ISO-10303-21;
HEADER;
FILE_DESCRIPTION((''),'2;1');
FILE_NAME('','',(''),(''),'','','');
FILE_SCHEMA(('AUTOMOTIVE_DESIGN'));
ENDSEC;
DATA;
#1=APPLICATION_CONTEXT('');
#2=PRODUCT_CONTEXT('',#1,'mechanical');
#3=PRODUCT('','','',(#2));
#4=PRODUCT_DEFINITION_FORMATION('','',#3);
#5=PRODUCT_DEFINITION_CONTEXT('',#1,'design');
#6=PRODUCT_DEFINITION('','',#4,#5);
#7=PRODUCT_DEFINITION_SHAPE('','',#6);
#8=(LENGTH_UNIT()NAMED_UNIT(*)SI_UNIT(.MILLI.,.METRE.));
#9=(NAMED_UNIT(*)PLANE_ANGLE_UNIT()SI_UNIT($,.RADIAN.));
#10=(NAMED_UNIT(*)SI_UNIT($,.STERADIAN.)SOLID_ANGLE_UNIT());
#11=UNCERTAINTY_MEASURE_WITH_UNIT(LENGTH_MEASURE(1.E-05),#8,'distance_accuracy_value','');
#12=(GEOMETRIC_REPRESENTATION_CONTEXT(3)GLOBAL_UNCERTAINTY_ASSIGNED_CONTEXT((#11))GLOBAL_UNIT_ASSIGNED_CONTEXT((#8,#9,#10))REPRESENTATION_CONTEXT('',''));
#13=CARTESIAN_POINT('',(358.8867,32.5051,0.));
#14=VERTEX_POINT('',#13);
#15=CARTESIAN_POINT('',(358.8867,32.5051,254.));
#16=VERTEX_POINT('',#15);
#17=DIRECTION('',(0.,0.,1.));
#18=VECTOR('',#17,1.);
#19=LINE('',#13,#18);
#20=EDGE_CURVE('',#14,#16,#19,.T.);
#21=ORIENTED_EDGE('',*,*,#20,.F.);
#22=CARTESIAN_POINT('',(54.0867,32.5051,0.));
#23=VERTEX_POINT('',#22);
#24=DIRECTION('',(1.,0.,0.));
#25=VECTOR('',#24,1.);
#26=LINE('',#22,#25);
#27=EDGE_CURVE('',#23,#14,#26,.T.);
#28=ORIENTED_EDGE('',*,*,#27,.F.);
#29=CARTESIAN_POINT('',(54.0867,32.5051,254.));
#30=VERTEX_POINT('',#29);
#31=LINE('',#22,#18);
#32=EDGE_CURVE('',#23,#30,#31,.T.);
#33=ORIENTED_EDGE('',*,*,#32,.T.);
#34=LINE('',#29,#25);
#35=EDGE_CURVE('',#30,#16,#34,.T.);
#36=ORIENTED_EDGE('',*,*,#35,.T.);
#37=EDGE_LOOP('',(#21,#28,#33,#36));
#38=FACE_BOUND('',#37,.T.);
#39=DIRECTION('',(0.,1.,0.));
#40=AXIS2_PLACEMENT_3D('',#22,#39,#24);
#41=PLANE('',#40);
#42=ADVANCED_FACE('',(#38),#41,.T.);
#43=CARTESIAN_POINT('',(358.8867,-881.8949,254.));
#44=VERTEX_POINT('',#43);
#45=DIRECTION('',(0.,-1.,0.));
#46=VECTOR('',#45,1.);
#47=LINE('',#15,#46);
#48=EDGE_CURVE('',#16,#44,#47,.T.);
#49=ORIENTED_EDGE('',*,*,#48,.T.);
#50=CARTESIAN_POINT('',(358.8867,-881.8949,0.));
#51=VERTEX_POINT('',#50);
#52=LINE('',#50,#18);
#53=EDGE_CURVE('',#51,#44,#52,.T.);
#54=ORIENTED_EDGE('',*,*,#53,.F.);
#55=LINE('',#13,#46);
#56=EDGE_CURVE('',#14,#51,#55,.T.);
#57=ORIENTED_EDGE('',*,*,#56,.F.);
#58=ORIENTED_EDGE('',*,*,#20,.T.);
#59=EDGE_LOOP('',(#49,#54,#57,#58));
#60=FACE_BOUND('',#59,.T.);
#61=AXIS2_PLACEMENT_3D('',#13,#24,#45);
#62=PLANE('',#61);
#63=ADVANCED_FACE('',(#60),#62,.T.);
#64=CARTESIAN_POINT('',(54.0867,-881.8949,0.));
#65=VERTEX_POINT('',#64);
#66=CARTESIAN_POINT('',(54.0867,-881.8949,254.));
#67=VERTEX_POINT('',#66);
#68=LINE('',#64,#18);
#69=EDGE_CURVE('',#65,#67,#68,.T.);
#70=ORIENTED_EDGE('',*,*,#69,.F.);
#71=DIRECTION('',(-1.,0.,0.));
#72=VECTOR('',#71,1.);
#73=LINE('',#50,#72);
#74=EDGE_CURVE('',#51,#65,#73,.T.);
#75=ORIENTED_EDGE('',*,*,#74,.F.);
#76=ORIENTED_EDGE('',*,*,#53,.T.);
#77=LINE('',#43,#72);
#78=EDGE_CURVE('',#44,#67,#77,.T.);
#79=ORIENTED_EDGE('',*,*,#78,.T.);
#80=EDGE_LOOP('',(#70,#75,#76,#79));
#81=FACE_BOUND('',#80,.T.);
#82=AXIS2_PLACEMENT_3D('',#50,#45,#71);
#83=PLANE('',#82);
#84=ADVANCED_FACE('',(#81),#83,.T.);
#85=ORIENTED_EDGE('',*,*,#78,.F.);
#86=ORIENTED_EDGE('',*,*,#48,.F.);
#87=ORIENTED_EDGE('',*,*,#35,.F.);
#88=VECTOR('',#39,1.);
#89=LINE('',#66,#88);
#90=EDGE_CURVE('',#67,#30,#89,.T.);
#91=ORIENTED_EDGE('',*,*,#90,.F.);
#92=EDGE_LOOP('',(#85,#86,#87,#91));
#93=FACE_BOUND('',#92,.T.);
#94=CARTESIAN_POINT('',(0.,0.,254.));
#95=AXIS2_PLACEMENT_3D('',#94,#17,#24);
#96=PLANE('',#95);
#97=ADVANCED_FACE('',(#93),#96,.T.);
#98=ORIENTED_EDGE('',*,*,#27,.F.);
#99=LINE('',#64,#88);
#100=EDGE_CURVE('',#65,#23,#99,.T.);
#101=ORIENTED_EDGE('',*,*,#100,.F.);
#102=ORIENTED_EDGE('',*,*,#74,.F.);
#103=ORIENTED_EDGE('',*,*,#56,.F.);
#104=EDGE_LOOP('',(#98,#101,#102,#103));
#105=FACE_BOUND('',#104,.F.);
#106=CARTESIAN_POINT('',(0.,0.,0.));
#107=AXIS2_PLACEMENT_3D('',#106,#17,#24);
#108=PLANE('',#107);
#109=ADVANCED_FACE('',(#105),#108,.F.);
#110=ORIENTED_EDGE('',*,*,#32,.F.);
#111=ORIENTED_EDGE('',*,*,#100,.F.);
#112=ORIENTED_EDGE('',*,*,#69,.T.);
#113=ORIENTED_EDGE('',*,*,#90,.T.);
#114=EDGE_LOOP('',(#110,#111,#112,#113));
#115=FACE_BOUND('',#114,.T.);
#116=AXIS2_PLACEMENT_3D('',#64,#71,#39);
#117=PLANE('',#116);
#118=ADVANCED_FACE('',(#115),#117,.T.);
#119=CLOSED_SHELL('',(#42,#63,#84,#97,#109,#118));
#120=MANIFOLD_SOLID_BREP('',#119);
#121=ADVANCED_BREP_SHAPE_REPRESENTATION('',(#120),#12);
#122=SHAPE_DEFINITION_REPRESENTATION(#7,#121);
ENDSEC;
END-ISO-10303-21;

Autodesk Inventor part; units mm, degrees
ref_plane "YZ Plane" through (0, 0, 0) normal (1, 0, 0) x (0, 1, 0)
ref_plane "XZ Plane" through (0, 0, 0) normal (0, 1, 0) x (-1, 0, 0)
ref_plane "XY Plane" through (0, 0, 0) normal (0, 0, 1) x (1, 0, 0)
sketch "Sketch1" plane through (0, 0, 0) normal (0, 0, 1) x (1, 0, 0)
  line L0 (54.0867, 32.5051) -> (358.8867, 32.5051)
  line L1 (358.8867, 32.5051) -> (358.8867, -881.8949)
  line L2 (358.8867, -881.8949) -> (54.0867, -881.8949)
  line L3 (54.0867, -881.8949) -> (54.0867, 32.5051)
  point P0 (0, 0)
  dimension "d0" = 304.8
  dimension "d1" = 914.4
extrude "Extrusion1" add sketch "Sketch1" along normal blind 254
properties part number "ElevatorRep"
